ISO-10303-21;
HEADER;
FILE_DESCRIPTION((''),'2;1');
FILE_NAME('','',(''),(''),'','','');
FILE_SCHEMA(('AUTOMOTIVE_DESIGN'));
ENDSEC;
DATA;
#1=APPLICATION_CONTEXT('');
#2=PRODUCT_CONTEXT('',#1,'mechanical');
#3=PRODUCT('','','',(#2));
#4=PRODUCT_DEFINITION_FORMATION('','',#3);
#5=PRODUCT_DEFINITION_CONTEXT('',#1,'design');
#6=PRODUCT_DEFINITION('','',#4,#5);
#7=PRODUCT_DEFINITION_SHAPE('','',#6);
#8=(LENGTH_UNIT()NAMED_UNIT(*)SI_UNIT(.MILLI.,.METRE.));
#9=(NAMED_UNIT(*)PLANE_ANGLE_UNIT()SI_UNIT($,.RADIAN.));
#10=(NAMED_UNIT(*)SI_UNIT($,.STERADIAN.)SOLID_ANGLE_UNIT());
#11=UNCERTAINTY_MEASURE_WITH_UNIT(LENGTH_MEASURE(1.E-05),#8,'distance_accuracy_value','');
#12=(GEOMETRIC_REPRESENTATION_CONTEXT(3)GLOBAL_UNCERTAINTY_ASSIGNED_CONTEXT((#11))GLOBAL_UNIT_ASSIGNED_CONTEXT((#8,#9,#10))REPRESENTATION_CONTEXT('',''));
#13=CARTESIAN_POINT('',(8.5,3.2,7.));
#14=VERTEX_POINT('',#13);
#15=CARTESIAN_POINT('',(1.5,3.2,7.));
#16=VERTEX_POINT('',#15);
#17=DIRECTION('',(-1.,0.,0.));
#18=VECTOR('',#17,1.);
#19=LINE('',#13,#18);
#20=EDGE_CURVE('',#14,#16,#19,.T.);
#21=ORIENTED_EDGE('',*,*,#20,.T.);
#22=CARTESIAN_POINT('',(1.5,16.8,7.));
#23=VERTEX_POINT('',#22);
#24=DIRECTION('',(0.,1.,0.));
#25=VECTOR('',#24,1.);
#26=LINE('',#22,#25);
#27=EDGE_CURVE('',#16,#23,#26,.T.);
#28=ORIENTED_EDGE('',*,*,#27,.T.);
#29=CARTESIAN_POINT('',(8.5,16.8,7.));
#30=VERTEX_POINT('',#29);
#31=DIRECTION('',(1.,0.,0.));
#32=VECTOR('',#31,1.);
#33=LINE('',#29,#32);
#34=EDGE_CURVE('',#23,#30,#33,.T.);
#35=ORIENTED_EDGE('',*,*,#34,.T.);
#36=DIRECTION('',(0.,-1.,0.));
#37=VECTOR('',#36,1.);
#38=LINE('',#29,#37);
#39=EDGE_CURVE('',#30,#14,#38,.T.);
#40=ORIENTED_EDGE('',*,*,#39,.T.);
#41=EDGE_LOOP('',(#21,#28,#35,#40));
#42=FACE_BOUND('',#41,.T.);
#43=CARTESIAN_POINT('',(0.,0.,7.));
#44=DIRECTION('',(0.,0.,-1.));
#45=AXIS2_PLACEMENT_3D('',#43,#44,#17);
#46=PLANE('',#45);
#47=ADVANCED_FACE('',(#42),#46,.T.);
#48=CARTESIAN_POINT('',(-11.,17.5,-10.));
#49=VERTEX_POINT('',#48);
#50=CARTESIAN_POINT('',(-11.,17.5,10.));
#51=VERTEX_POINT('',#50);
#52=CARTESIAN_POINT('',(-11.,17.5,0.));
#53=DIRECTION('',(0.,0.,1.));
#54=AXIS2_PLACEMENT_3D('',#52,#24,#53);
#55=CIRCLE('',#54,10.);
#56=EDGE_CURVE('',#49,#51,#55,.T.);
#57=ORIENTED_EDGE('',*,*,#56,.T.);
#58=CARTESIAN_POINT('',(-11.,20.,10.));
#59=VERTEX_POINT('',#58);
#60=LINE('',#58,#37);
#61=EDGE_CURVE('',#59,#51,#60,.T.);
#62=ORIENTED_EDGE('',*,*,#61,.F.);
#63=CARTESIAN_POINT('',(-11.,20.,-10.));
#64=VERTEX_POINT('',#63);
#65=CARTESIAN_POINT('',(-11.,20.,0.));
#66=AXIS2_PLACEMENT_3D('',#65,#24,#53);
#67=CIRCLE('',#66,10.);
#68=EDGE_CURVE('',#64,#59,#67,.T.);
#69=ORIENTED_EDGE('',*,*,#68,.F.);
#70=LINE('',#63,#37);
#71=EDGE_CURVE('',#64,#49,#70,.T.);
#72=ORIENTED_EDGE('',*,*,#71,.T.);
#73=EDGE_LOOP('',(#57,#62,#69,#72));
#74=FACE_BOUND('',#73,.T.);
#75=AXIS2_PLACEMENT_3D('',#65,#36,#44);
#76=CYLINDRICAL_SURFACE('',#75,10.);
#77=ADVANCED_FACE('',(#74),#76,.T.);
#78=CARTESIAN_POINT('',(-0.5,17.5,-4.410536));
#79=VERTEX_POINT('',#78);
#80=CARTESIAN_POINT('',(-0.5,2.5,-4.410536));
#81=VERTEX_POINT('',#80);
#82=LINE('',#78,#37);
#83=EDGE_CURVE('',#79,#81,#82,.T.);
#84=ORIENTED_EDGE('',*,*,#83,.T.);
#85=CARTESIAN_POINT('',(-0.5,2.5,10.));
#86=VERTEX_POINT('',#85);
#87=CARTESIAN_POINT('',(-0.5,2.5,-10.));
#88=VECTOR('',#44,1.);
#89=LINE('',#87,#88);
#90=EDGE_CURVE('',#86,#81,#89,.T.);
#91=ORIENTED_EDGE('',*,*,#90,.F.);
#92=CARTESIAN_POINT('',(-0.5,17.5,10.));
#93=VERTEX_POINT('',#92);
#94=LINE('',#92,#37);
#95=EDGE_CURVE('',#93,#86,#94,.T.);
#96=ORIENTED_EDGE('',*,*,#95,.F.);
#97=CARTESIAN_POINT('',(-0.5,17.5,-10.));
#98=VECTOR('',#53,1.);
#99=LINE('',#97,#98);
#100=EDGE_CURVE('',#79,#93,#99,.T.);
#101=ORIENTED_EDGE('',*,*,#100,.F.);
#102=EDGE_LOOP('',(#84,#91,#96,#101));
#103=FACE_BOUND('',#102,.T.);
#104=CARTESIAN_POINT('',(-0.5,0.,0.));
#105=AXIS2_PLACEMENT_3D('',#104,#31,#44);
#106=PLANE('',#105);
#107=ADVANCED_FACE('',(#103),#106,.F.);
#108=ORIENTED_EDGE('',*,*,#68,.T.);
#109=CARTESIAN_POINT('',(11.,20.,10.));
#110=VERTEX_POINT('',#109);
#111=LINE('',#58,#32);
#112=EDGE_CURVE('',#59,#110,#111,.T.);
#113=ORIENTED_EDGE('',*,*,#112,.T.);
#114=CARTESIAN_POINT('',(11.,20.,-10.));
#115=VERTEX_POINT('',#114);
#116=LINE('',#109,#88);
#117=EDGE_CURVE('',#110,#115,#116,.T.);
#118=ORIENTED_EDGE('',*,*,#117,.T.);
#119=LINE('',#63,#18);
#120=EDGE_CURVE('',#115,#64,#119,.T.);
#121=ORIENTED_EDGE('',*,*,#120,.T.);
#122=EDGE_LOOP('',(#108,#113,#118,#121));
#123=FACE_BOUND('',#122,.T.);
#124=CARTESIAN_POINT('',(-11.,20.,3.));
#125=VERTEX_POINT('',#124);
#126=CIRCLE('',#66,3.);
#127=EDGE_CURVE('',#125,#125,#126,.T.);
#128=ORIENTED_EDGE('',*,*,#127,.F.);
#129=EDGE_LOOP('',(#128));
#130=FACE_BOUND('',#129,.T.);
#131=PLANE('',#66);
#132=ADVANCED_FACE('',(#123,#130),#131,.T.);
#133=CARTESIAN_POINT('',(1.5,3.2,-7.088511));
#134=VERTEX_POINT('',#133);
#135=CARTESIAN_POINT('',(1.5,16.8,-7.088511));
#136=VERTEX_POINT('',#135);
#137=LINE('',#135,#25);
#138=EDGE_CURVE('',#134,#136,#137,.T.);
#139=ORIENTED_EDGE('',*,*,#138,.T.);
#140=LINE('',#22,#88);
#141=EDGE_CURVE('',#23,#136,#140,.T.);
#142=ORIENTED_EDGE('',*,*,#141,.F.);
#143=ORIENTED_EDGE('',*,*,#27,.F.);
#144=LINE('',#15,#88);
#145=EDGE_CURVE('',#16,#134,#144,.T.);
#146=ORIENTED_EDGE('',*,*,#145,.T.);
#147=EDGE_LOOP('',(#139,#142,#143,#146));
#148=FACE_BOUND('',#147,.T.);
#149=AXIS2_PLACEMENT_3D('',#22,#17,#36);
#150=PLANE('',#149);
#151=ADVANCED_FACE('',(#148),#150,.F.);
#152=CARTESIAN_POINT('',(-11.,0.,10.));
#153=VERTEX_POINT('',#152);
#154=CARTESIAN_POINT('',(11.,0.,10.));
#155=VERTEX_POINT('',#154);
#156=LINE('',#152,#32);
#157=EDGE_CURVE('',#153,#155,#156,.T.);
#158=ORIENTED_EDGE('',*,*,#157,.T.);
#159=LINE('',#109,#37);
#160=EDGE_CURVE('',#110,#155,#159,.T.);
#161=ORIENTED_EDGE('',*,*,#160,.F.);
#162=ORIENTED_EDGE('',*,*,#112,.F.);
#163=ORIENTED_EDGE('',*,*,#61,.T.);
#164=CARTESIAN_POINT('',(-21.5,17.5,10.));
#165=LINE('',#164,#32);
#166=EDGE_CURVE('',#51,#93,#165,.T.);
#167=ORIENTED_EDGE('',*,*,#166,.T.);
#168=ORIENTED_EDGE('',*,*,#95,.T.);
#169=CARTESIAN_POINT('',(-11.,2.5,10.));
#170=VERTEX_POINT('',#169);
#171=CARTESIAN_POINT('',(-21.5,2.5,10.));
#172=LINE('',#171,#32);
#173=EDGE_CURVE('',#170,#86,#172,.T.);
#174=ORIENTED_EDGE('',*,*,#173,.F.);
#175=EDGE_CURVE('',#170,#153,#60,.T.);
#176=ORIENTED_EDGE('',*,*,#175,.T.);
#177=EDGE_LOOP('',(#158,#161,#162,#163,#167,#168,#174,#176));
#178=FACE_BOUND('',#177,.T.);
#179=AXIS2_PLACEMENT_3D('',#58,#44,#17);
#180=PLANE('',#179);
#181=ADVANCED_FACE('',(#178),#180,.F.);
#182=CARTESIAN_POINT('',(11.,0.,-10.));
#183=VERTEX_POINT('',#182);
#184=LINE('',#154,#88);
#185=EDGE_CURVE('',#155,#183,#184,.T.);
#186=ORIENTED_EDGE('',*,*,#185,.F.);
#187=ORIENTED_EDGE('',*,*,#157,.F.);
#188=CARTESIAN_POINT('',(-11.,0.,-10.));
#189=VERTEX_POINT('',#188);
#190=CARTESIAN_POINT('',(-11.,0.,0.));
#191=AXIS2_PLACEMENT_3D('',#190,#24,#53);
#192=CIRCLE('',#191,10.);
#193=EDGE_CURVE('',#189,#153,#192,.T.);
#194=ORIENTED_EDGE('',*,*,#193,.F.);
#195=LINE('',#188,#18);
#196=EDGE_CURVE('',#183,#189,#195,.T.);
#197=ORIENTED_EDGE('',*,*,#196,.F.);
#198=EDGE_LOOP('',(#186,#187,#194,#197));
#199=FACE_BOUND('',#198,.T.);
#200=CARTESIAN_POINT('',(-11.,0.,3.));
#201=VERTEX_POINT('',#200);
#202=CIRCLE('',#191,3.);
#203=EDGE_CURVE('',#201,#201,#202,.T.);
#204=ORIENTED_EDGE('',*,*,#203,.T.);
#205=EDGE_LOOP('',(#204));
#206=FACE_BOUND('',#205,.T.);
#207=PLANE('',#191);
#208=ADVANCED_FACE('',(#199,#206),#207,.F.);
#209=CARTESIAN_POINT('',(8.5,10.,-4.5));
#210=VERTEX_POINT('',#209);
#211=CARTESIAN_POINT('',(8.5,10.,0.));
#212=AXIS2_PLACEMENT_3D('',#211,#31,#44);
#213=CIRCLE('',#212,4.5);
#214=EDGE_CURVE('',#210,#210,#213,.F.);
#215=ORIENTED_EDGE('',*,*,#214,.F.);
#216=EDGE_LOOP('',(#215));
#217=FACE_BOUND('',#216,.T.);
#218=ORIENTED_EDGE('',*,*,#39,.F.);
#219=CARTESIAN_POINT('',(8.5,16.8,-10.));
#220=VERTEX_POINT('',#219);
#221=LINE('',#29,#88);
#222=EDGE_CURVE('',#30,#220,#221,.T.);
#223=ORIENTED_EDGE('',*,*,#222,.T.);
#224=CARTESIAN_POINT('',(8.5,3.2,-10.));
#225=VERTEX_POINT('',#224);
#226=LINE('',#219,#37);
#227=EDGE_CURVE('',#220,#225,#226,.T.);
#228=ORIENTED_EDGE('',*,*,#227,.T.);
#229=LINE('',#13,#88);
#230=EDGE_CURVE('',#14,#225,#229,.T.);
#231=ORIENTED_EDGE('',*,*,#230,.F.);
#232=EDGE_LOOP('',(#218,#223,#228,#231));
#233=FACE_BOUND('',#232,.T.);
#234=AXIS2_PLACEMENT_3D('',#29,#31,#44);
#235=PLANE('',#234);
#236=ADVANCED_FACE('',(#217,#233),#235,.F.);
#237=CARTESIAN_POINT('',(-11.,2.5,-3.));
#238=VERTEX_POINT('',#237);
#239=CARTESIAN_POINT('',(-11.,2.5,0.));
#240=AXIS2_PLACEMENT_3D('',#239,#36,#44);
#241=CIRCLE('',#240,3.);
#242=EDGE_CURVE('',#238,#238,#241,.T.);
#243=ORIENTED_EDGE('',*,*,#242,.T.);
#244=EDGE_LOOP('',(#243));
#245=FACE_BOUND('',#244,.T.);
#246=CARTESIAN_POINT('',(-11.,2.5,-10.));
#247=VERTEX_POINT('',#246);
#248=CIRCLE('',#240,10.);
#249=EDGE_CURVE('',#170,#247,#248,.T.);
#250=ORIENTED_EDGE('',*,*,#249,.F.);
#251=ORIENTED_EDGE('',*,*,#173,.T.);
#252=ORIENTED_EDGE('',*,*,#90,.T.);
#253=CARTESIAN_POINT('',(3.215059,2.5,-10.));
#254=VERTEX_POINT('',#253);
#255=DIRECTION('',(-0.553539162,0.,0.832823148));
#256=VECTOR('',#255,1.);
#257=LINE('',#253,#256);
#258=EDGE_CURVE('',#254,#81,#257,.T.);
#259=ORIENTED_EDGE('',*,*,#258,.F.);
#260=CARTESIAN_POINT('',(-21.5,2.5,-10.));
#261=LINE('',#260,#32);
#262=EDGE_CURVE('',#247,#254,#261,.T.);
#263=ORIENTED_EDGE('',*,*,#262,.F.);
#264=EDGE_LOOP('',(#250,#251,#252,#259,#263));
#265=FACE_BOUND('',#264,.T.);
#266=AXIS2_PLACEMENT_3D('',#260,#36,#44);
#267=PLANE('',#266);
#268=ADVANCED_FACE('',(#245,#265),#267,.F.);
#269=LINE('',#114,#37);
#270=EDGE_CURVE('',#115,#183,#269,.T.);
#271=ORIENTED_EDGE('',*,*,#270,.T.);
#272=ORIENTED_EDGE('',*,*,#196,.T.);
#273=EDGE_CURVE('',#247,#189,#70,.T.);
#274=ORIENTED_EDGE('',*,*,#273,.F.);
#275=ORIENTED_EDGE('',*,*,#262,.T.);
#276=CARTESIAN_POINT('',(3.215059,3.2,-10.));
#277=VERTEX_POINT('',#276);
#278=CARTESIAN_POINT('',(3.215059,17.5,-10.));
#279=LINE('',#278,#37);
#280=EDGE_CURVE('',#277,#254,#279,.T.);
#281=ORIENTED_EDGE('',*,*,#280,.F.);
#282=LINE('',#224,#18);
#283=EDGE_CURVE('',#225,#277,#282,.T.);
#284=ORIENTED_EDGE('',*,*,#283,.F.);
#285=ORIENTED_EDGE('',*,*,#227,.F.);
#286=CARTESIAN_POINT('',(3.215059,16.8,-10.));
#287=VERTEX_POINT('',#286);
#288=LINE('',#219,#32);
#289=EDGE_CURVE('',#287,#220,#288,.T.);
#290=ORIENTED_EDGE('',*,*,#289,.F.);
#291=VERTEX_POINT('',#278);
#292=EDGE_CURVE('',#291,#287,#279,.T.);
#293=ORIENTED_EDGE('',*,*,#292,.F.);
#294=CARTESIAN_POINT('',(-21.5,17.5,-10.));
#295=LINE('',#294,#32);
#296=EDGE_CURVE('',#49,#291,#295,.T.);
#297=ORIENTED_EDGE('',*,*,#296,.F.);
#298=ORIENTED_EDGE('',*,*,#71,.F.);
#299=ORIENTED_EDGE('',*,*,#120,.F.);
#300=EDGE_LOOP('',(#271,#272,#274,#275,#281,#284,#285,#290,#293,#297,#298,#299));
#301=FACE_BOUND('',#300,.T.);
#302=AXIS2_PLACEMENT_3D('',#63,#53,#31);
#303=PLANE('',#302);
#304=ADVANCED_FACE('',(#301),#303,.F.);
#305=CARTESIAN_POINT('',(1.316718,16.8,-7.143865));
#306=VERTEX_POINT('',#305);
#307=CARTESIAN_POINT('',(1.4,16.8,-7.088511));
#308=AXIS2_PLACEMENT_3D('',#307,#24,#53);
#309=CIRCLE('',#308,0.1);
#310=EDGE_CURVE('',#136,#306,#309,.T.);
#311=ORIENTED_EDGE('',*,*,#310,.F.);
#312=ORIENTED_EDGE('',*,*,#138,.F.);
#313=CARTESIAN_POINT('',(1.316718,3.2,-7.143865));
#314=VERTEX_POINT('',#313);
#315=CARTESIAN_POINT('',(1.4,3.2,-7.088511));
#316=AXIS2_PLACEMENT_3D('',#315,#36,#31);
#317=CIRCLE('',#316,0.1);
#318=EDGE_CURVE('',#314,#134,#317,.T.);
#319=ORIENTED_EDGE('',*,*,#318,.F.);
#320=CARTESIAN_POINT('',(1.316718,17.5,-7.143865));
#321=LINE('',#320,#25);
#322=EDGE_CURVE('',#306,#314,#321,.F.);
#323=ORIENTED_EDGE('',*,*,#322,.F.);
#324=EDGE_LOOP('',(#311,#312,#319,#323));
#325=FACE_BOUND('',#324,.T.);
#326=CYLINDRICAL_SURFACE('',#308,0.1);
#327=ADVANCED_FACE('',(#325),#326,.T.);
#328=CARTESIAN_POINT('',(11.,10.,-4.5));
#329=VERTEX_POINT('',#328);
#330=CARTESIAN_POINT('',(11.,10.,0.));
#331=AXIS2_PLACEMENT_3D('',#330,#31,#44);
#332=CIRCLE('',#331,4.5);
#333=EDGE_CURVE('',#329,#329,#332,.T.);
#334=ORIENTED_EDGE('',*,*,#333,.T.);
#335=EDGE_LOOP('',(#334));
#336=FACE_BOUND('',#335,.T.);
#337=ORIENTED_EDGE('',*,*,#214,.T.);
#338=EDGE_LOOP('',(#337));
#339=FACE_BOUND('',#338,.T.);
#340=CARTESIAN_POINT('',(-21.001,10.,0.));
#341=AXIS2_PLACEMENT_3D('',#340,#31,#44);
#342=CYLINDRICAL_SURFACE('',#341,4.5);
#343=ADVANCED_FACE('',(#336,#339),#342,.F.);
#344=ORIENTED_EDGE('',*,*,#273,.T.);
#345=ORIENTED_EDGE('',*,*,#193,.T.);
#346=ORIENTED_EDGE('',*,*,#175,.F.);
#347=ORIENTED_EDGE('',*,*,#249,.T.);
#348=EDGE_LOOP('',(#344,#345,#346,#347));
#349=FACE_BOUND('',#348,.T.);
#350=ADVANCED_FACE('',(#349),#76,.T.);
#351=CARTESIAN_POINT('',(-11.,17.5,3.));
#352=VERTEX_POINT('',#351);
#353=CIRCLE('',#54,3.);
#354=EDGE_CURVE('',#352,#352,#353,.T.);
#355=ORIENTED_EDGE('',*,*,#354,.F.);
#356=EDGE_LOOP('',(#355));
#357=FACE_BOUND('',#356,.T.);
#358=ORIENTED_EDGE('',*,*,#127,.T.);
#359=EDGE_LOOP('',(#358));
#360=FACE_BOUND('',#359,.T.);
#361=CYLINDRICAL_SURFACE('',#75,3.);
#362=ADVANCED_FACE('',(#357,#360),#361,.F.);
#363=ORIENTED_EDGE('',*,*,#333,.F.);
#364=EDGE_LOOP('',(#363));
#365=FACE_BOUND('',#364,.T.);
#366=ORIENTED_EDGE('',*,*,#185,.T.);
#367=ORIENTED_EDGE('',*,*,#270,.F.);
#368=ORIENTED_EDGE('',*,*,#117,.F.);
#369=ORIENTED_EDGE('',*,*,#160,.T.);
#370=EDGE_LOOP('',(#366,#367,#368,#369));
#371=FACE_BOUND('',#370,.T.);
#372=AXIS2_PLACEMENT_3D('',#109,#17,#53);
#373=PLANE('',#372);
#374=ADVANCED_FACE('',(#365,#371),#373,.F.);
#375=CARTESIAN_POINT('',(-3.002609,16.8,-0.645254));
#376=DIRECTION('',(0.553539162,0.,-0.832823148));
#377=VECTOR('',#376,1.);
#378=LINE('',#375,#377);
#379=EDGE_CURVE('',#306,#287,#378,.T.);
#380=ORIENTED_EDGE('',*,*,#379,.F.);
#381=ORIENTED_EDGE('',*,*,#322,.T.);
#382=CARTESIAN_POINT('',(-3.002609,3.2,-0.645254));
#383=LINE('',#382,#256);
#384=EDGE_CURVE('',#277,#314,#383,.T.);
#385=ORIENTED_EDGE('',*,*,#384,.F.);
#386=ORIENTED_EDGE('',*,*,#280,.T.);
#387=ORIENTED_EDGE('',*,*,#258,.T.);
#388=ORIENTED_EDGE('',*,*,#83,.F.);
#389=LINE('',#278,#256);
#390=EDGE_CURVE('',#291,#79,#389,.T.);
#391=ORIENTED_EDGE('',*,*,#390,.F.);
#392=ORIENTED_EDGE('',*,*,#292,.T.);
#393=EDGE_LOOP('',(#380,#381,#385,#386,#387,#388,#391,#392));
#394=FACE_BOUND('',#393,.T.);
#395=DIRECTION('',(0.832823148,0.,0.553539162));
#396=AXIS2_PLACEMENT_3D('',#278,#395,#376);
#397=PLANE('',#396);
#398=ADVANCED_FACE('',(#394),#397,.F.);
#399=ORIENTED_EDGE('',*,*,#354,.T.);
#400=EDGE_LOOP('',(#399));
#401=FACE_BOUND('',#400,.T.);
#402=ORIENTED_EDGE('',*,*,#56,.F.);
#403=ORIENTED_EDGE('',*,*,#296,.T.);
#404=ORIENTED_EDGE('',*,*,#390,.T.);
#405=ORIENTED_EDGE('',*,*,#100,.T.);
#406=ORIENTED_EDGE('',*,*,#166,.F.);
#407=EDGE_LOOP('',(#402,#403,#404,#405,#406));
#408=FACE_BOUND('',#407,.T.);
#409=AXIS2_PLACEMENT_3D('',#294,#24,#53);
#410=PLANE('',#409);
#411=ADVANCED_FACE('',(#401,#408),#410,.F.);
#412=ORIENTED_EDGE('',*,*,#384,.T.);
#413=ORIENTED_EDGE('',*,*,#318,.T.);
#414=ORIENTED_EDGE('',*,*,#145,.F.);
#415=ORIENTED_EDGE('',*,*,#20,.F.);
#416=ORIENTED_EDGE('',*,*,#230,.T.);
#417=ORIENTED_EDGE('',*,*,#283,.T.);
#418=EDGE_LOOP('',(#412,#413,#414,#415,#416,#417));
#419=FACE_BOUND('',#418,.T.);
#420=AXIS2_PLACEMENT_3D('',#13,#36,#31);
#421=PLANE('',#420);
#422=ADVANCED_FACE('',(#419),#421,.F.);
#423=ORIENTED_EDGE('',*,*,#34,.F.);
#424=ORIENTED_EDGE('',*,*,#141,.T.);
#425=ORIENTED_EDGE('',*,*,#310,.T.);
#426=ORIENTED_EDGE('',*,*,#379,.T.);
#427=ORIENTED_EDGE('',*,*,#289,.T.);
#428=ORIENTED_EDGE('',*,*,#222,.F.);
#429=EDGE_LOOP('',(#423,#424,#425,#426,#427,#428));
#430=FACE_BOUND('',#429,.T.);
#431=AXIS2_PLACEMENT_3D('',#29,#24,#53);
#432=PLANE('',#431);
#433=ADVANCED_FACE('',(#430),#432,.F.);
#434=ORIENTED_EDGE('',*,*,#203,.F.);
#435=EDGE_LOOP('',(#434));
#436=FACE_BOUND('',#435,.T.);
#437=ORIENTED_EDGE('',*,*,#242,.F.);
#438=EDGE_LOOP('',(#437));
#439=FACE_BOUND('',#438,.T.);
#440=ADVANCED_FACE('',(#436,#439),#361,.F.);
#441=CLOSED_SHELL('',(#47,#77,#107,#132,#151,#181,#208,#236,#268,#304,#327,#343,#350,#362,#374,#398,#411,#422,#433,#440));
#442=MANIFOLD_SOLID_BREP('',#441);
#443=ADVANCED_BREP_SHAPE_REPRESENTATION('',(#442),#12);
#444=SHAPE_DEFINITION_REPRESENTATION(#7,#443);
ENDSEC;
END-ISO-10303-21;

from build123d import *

# Parameters (mm, degrees)
SKETCH1_R           = 3
BOSS_EXTRUDE1_DEPTH = 20
SKETCH4_W           = 7
SKETCH4_H           = 13.6
CUT_EXTRUDE3_DEPTH  = 17
CUT_EXTRUDE4_REACH  = 34
SKETCH5_R           = 4.5
SKETCH7_W           = 15
SKETCH7_H           = 20
CUT_EXTRUDE5_DEPTH  = 10.5
CUT_EXTRUDE6_START  = -2.5
CUT_EXTRUDE6_DEPTH  = 15
FILLET1_R           = 0.1


with BuildPart() as part:
    # Sketch1 → Boss-Extrude1 (new body)
    with BuildSketch(Plane(origin=(0, 0, 0), x_dir=(1, 0, 0), z_dir=(0, 1, 0))):
        with BuildLine():
            Line((-11, -10), (11, -10))
            Line((11, -10), (11, 10))
            Line((11, 10), (-11, 10))
            ThreePointArc((-11, 10), (-21, 0), (-11, -10))
        make_face()
        with Locations((-11, 0)):
            Circle(SKETCH1_R, mode=Mode.SUBTRACT)
    extrude(amount=BOSS_EXTRUDE1_DEPTH)

    # Sketch4 → Cut-Extrude3 (cut)
    with BuildSketch(Plane(origin=(0, 0, -10), x_dir=(-1, 0, 0), z_dir=(0, 0, -1))):
        with Locations((-5, 10)):
            Rectangle(SKETCH4_W, SKETCH4_H)
    extrude(amount=-CUT_EXTRUDE3_DEPTH, mode=Mode.SUBTRACT)

    # Sketch5 → Cut-Extrude4 (cut, up to next)
    with BuildSketch(Plane(origin=(11, 0, 0), x_dir=(0, 0, -1), z_dir=(1, 0, 0)), mode=Mode.PRIVATE) as cut_extrude4_sk1:
        with Locations((0, 10)):
            Circle(SKETCH5_R)
    cut_extrude4_tool1 = extrude(cut_extrude4_sk1.sketch, amount=-CUT_EXTRUDE4_REACH, mode=Mode.PRIVATE) & part.part
    add(cut_extrude4_tool1.solids().sort_by_distance((11, 10, 0))[0], mode=Mode.SUBTRACT)

    # Sketch7 → Cut-Extrude5 (cut, symmetric)
    with BuildSketch(Plane(origin=(-11, 0, 0), x_dir=(0, -1, 0), z_dir=(1, 0, 0))):
        with Locations((-10, 0)):
            Rectangle(SKETCH7_W, SKETCH7_H)
    extrude(amount=CUT_EXTRUDE5_DEPTH, both=True, mode=Mode.SUBTRACT)

    # Sketch8 → Cut-Extrude6 (cut)
    with BuildSketch(Plane.XZ.offset(CUT_EXTRUDE6_START)):
        Polygon((3.215058798, -10), (-0.5, -4.410536459), (-0.5, -10), align=None)
    extrude(amount=-CUT_EXTRUDE6_DEPTH, mode=Mode.SUBTRACT)

    # Fillet1
    fillet1_edges = [part.edges().sort_by_distance(p)[0] for p in [
        (1.5, 10, -7.419621291),
    ]]
    fillet(fillet1_edges, radius=FILLET1_R)


solid = part.part
